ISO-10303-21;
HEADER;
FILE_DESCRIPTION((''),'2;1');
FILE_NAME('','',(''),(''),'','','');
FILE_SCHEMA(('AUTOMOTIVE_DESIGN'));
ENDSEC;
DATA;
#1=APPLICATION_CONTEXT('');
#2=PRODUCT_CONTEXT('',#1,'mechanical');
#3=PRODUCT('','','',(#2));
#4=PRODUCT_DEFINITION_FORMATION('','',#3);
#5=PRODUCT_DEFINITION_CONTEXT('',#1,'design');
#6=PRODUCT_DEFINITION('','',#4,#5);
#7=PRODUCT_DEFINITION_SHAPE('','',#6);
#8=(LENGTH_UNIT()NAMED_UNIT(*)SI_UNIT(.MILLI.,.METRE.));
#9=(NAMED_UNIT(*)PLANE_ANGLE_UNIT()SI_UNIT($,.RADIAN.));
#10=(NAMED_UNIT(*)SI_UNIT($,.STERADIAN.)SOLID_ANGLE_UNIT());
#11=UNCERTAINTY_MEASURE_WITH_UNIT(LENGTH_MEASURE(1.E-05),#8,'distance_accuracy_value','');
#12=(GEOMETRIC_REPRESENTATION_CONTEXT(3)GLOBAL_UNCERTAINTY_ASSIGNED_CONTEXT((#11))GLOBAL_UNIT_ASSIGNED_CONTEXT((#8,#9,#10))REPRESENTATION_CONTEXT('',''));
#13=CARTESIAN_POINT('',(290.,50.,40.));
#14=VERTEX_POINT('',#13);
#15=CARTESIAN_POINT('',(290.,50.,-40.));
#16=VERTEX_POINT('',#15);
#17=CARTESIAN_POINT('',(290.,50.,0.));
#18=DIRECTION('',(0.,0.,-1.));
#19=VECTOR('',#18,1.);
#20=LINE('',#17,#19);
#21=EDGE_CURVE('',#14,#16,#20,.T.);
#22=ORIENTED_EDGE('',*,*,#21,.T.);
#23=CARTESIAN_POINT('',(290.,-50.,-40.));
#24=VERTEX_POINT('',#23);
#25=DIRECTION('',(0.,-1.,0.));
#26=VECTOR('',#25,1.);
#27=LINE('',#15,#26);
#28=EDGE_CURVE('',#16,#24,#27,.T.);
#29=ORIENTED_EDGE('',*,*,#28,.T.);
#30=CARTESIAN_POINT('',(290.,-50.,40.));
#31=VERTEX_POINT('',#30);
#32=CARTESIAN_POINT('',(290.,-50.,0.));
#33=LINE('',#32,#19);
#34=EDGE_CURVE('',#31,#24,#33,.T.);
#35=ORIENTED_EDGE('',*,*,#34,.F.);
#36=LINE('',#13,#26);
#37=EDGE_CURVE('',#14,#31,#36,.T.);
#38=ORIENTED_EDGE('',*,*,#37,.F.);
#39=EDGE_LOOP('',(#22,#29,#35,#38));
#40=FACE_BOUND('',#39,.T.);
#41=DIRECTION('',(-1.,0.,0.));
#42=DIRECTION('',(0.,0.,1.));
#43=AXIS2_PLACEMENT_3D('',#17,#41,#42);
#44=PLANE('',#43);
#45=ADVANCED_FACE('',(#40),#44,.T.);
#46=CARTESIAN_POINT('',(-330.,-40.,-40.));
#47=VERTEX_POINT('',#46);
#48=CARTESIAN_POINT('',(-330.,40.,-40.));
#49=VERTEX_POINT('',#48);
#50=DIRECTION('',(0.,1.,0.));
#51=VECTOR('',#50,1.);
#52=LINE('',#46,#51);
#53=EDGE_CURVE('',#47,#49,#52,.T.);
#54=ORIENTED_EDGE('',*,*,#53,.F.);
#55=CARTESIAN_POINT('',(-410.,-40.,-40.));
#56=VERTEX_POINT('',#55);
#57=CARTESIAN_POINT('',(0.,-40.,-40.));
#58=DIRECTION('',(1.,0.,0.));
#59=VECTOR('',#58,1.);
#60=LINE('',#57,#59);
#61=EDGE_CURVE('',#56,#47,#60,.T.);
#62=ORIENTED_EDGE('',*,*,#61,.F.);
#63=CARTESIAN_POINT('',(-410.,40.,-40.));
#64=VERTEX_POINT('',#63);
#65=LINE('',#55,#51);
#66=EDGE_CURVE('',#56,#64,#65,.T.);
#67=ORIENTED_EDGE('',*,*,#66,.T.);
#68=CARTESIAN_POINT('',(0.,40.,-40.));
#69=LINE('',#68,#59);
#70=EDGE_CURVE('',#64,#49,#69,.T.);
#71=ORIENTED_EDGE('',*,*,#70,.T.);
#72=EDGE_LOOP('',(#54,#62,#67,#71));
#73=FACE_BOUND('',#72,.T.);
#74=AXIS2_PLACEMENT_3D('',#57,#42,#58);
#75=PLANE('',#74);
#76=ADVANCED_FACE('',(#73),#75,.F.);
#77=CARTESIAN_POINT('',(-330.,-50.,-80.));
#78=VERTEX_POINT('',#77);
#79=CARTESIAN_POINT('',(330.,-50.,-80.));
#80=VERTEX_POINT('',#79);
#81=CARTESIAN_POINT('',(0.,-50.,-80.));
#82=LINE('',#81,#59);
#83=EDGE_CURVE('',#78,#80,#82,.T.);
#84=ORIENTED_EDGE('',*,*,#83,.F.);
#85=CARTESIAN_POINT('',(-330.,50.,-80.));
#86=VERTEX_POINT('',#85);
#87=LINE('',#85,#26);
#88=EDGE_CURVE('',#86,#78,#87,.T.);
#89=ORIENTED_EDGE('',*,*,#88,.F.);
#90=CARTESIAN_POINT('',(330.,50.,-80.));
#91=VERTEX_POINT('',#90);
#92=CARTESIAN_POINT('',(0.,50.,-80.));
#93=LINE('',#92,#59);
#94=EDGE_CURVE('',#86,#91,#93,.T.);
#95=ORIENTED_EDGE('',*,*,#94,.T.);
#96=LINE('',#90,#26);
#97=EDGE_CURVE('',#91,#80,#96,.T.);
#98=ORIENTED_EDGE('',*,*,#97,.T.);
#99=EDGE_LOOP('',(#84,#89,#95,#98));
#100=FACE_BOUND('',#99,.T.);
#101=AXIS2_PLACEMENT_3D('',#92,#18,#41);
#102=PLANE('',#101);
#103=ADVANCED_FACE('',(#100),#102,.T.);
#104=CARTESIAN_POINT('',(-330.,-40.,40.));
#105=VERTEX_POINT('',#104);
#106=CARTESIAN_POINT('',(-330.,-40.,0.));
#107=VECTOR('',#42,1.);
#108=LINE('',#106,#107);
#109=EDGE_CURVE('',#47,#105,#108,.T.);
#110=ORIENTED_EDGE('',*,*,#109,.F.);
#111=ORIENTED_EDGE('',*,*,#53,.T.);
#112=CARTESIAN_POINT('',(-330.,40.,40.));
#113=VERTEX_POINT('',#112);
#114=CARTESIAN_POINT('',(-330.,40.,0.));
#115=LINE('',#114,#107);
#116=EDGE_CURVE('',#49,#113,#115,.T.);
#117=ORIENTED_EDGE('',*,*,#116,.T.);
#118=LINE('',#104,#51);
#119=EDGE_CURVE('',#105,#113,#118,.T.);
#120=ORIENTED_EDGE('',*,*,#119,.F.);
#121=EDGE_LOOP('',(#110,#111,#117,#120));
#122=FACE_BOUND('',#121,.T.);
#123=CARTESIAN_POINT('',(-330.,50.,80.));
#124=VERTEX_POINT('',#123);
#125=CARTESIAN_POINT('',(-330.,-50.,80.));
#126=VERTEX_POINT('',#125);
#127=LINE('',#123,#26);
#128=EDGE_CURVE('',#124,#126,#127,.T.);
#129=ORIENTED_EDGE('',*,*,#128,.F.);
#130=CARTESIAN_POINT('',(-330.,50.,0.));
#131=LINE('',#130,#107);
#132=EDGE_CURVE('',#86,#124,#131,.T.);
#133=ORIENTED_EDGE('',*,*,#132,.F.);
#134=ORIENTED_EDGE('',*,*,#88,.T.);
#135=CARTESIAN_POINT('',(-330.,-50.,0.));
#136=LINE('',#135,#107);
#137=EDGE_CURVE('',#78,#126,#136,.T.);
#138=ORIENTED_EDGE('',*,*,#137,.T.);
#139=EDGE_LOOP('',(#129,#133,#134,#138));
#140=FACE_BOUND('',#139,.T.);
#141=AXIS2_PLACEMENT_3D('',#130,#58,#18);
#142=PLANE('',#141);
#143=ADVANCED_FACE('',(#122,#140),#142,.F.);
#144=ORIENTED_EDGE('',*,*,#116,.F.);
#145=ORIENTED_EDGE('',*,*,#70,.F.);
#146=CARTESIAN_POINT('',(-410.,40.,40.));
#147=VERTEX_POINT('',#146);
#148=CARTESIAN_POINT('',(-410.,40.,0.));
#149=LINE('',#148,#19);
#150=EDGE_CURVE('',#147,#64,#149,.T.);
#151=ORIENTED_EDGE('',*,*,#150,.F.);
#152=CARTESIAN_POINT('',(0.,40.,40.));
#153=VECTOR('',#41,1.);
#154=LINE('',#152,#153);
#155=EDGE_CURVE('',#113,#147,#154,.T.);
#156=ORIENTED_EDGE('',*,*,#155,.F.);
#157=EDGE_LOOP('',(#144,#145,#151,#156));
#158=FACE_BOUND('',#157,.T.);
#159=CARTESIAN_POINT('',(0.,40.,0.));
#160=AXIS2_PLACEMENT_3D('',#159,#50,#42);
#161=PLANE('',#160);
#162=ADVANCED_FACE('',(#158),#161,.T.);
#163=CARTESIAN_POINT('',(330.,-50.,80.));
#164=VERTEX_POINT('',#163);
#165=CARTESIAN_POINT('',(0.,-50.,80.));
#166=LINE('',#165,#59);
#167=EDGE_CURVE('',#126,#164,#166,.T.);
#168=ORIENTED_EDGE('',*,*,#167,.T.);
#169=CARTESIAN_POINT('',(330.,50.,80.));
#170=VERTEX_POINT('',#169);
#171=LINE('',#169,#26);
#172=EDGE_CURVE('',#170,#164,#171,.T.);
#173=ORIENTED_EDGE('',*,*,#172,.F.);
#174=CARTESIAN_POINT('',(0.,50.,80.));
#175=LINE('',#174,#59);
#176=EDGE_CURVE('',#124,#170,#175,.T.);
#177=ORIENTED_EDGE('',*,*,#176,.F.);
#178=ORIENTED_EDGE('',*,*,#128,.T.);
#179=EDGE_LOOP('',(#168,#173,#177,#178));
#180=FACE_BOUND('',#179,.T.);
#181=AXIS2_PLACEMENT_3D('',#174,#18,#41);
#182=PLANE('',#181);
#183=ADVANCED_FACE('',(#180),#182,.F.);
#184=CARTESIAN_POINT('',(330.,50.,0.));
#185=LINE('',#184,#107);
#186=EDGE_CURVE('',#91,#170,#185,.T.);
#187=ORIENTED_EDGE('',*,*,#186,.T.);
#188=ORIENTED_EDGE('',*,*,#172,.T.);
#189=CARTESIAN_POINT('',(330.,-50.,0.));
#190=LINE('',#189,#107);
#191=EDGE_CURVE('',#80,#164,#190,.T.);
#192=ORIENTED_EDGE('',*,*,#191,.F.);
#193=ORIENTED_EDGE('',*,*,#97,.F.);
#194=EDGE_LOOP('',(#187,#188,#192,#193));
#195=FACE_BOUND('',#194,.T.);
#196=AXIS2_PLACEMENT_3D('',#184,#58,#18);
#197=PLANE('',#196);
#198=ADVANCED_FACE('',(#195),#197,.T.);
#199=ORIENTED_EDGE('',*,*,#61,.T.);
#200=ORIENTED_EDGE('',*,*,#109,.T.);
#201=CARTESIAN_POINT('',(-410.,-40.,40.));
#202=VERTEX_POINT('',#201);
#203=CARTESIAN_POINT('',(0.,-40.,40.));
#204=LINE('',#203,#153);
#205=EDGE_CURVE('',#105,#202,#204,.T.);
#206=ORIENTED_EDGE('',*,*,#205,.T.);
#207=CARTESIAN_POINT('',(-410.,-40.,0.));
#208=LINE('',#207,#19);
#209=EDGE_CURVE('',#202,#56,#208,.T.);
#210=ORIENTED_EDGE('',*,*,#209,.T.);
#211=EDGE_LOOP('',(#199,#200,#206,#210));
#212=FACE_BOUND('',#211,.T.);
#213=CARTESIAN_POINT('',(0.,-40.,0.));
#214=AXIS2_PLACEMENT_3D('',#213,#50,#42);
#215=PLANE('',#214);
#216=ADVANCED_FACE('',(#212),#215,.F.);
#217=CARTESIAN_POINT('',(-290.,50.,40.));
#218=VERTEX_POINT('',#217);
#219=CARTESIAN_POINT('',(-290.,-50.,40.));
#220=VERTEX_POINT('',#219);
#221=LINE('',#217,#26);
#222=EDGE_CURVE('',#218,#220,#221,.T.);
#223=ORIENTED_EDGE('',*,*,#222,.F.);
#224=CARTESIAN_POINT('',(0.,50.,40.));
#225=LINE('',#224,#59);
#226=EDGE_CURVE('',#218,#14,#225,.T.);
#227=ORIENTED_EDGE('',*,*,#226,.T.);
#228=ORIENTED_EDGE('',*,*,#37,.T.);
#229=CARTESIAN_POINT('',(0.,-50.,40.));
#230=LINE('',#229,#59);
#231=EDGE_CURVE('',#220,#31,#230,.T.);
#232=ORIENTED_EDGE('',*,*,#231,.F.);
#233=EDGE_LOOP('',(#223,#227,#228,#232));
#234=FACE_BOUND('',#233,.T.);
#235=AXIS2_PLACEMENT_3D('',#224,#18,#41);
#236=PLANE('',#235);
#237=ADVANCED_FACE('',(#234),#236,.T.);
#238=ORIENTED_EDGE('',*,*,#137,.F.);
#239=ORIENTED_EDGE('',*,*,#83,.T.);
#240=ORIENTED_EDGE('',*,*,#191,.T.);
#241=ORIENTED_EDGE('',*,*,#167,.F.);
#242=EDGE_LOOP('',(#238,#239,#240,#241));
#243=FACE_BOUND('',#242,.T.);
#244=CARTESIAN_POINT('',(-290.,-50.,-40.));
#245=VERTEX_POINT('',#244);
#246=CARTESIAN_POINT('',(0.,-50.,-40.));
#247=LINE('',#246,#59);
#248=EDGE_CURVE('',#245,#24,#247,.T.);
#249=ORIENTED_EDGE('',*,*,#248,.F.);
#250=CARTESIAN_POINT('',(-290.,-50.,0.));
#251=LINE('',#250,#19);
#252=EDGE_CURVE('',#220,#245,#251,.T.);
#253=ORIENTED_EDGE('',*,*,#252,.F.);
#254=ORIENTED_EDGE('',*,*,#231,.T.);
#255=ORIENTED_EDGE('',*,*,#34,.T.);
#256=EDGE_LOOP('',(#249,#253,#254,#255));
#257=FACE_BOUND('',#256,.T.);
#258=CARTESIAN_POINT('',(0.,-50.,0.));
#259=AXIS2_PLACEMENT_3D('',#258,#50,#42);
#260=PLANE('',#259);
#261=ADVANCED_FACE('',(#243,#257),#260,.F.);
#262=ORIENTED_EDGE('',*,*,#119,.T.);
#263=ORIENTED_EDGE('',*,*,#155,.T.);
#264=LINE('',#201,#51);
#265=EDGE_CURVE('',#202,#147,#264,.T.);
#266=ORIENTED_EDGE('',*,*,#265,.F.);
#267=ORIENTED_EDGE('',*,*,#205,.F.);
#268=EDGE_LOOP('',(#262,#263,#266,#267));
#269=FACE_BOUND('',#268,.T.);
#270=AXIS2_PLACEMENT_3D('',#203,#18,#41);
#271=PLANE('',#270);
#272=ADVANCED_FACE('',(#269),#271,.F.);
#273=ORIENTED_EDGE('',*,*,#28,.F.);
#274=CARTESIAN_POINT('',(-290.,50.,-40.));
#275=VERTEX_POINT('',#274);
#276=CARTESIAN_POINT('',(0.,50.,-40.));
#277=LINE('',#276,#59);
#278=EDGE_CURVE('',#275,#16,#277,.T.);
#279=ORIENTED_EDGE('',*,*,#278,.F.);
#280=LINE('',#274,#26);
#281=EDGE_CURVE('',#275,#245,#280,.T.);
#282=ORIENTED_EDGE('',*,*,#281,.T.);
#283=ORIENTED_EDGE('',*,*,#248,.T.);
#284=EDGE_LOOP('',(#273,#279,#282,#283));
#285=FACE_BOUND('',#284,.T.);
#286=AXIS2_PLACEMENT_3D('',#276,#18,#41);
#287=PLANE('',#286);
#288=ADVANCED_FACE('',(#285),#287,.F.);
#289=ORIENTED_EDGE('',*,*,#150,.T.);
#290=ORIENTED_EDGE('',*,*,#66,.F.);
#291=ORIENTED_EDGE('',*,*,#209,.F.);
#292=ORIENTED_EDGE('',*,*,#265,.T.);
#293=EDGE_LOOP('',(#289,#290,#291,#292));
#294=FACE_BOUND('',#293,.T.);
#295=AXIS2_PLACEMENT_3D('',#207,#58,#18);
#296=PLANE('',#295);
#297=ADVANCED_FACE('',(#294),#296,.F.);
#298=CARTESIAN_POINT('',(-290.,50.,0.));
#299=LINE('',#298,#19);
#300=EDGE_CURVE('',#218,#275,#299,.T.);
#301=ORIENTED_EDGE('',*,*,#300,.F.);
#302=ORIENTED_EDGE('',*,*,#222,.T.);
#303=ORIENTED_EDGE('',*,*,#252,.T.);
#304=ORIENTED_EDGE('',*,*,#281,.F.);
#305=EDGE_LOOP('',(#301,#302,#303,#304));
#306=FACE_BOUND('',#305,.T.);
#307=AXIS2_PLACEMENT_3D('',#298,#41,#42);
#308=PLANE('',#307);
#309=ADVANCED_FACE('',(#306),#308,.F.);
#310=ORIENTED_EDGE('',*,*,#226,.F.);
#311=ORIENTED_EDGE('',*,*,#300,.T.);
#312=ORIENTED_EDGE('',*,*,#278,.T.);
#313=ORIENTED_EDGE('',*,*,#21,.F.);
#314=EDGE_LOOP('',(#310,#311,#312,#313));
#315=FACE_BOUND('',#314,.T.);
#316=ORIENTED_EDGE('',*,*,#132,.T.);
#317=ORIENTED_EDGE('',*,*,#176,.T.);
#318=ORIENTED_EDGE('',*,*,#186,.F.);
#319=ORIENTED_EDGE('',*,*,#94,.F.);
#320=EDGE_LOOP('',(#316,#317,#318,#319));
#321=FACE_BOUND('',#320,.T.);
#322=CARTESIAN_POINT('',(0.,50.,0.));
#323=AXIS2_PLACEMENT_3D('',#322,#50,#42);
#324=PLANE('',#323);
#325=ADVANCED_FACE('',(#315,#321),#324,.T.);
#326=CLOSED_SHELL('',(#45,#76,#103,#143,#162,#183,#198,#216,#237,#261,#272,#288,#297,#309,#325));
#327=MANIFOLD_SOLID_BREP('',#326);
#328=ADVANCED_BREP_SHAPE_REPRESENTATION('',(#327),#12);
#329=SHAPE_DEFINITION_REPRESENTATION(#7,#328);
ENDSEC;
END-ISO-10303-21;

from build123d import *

# Parameters (mm, degrees)
BOSS_EXTRUDE1_DEPTH      = 50
BOSS_EXTRUDE1_DEPTH_BACK = 50
SKETCH1_W                = 580
SKETCH1_H                = 80
BOSS_EXTRUDE2_DEPTH      = 40
BOSS_EXTRUDE2_DEPTH_BACK = 40
SKETCH1_3_W              = 80
SKETCH1_3_H              = 80


with BuildPart() as part:
    # Sketch1 → Boss-Extrude1 (new, two sides: drawn at the far end of the back side and taken through both)
    with BuildSketch(Plane(origin=(0, 0, 0), x_dir=(1, 0, 0), z_dir=(0, 1, 0)).offset(-BOSS_EXTRUDE1_DEPTH_BACK)):
        Polygon((330, 80), (-330, 80), (-330, 40), (-330, -40), (-330, -80), (330, -80), align=None)
        Rectangle(SKETCH1_W, SKETCH1_H, mode=Mode.SUBTRACT)
    extrude(amount=BOSS_EXTRUDE1_DEPTH + BOSS_EXTRUDE1_DEPTH_BACK)

    # Sketch1<3> → Boss-Extrude2 (add, two sides: drawn at the far end of the back side and taken through both)
    with BuildSketch(Plane(origin=(0, 0, 0), x_dir=(1, 0, 0), z_dir=(0, 1, 0)).offset(-BOSS_EXTRUDE2_DEPTH_BACK)):
        with Locations((-370, 0)):
            Rectangle(SKETCH1_3_W, SKETCH1_3_H)
    extrude(amount=BOSS_EXTRUDE2_DEPTH + BOSS_EXTRUDE2_DEPTH_BACK)


solid = part.part
